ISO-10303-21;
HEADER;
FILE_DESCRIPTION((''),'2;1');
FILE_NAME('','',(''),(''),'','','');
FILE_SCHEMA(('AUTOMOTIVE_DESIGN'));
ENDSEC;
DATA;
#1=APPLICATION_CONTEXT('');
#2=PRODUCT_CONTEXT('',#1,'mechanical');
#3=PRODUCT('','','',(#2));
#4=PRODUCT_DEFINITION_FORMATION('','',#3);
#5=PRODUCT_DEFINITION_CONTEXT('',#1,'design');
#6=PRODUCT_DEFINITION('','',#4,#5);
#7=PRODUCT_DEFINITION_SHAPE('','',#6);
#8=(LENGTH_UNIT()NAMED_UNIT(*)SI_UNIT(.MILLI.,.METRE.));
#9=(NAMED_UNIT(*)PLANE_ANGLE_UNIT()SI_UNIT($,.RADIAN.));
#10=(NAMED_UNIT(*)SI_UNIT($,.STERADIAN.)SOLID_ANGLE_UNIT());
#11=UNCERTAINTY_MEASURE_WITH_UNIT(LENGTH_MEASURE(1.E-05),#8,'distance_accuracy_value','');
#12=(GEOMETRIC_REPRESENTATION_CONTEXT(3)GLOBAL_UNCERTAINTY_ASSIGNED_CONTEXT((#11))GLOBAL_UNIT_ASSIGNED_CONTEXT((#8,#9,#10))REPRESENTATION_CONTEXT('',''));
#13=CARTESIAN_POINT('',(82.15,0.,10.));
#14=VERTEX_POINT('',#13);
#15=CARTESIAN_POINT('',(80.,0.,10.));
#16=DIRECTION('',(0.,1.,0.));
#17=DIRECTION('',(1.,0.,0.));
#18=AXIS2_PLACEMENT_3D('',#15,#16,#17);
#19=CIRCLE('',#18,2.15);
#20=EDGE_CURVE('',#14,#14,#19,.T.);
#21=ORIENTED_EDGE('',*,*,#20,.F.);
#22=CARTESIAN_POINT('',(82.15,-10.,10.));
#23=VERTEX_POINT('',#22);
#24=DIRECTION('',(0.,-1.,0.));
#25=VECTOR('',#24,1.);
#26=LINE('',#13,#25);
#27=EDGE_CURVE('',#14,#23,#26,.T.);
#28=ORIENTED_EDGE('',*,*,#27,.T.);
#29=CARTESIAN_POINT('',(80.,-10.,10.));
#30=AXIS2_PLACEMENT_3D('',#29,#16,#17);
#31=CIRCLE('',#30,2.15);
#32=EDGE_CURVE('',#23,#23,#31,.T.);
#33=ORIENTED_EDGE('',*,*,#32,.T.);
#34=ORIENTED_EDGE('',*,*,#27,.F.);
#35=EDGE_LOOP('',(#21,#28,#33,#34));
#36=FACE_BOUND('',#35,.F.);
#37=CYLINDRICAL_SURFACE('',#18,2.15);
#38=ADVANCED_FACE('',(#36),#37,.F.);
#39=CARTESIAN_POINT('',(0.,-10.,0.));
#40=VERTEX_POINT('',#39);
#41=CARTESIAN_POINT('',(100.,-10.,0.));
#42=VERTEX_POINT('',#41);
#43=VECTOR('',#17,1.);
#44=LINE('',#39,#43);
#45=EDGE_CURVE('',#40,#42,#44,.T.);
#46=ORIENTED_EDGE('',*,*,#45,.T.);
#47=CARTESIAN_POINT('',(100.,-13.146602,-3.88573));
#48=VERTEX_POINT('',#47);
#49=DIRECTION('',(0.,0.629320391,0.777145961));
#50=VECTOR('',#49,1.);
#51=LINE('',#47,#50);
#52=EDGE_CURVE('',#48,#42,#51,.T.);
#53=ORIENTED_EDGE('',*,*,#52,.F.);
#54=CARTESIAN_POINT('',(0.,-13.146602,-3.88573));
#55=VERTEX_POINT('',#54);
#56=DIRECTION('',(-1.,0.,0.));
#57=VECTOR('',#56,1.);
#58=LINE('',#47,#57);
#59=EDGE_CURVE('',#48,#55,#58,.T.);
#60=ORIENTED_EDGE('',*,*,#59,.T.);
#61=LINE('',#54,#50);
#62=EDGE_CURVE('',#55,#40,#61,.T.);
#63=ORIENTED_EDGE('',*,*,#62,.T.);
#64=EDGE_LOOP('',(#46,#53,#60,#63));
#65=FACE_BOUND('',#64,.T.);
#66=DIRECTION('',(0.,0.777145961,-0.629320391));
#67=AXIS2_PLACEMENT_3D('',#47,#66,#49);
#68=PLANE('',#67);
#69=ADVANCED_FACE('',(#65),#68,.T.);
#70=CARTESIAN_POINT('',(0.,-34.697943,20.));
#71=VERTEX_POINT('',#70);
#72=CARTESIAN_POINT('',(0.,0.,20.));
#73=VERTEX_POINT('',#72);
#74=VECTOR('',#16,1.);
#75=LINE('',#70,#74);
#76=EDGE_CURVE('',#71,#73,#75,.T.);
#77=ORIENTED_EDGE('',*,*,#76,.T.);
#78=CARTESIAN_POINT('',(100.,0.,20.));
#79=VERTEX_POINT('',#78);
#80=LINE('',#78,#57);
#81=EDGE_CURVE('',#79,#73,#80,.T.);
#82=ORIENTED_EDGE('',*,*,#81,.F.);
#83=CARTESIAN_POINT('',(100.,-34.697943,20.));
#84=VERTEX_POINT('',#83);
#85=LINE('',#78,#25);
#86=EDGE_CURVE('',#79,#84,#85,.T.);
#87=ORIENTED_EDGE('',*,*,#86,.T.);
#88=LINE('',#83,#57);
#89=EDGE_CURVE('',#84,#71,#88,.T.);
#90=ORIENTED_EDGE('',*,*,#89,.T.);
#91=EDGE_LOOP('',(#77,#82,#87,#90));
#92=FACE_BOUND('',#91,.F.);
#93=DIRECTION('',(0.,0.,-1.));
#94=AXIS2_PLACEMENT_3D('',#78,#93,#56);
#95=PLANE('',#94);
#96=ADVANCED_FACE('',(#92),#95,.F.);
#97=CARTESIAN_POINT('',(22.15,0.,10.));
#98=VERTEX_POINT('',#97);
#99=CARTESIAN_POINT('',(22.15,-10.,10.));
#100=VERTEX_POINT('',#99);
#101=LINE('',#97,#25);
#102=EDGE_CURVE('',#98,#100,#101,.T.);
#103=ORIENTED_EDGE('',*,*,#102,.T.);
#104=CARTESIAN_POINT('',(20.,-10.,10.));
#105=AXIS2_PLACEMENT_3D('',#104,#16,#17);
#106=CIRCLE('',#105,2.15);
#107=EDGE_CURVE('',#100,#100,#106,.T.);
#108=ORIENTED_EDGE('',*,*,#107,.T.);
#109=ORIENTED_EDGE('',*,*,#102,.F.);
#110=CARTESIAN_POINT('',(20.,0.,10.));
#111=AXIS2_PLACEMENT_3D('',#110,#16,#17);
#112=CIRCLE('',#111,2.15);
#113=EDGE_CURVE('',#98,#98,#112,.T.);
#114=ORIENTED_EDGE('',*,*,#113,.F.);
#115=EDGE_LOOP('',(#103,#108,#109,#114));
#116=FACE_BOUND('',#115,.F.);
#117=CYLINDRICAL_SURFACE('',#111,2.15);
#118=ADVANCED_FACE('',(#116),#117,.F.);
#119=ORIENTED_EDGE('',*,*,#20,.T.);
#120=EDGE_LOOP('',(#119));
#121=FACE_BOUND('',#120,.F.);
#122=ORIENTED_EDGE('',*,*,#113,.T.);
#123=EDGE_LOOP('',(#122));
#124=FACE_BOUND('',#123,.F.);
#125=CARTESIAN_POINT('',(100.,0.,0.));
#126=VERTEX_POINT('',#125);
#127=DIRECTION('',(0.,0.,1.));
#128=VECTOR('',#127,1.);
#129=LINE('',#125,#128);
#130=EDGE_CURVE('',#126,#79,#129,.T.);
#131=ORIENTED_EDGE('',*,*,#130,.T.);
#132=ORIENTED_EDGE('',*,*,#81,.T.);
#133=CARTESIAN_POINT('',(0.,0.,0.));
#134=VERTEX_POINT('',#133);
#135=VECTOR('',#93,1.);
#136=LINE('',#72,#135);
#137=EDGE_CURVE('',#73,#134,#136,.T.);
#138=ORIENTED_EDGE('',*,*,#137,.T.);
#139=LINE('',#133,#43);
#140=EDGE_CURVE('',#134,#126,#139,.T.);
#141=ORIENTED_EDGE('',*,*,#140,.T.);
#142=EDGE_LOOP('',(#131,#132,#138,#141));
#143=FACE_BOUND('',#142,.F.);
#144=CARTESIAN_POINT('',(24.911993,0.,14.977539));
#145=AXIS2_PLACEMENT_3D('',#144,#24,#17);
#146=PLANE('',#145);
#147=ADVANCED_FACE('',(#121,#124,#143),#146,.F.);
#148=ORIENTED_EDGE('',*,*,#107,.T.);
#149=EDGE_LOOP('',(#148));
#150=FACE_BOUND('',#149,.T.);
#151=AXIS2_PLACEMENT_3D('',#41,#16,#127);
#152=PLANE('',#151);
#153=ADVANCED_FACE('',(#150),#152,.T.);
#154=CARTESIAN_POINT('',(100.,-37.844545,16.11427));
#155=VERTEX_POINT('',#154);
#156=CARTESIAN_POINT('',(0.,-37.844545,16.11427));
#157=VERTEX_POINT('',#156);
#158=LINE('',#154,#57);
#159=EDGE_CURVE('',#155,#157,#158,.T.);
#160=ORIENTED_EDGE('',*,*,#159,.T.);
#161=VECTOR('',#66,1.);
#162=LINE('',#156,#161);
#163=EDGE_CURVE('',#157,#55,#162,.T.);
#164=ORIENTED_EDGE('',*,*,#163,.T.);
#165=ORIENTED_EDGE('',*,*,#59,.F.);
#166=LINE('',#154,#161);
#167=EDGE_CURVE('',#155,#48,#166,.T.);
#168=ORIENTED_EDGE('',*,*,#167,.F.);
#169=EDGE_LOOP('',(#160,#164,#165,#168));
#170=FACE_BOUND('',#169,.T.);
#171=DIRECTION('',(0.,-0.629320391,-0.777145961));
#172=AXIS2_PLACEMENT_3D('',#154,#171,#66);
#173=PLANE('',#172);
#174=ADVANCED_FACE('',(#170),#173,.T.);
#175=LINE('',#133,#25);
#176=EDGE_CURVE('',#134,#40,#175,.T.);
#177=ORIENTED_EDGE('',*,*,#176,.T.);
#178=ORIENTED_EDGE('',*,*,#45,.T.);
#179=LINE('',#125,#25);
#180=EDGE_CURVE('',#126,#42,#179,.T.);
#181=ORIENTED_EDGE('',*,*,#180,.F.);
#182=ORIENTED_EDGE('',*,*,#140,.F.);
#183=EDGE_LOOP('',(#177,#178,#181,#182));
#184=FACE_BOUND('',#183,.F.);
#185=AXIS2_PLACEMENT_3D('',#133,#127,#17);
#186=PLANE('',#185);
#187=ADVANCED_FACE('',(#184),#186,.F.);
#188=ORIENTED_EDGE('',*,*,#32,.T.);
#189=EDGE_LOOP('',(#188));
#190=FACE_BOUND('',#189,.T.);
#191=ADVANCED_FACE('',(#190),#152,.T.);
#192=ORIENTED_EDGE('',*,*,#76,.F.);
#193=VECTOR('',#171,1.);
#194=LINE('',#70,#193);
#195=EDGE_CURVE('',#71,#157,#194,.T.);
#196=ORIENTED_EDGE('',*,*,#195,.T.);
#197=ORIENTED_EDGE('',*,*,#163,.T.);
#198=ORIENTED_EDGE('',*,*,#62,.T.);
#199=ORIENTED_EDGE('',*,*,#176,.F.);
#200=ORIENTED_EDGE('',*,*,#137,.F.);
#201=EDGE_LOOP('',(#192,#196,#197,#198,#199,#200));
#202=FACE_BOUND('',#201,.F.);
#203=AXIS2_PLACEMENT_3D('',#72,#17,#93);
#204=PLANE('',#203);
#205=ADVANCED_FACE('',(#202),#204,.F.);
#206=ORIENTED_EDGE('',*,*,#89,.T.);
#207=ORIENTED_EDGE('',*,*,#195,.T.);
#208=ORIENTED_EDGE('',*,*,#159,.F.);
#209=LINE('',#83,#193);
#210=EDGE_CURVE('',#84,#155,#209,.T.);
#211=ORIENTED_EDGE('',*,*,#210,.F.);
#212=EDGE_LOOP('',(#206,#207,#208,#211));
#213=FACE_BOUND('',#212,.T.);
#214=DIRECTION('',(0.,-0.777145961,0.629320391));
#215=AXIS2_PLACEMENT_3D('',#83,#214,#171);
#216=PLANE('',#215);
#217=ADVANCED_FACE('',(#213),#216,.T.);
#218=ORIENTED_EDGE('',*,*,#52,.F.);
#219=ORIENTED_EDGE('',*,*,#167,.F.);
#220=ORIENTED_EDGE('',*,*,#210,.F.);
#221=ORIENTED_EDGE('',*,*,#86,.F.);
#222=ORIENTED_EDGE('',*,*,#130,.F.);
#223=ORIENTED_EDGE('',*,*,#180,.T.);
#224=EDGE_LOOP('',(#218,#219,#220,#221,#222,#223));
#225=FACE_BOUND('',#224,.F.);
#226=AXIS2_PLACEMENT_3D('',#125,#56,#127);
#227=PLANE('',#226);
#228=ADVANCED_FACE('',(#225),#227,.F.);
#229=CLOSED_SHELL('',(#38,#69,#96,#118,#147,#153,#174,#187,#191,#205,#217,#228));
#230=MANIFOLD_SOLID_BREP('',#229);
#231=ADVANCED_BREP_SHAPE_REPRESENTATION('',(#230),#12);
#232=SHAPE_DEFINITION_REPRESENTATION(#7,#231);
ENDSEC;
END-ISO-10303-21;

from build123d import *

# Parameters (mm, degrees)
F1_DEPTH = 10
F3_DEPTH = 100


with BuildPart() as f1:
    # F0 (on Front) → F1 (new body)
    with BuildSketch(Plane.XZ):
        with BuildLine():
            Line((0, 20), (0, 10))
            Line((0, 10), (17.85, 10))
            ThreePointArc((17.85, 10), (20, 12.15), (22.15, 10))
            Line((22.15, 10), (50, 10))
            Line((50, 10), (50, 20))
            Line((50, 20), (0, 20))
        make_face()
        with BuildLine():
            Line((50, 20), (50, 10))
            Line((50, 10), (77.85, 10))
            ThreePointArc((77.85, 10), (80, 12.15), (82.15, 10))
            Line((82.15, 10), (100, 10))
            Line((100, 10), (100, 20))
            Line((100, 20), (50, 20))
        make_face()
        with BuildLine():
            Line((50, 10), (50, 0))
            Line((50, 0), (100, 0))
            Line((100, 0), (100, 10))
            Line((100, 10), (82.15, 10))
            ThreePointArc((82.15, 10), (80, 7.85), (77.85, 10))
            Line((77.85, 10), (50, 10))
        make_face()
        with BuildLine():
            Line((0, 10), (0, 0))
            Line((0, 0), (50, 0))
            Line((50, 0), (50, 10))
            Line((50, 10), (22.15, 10))
            ThreePointArc((22.15, 10), (20, 7.85), (17.85, 10))
            Line((17.85, 10), (0, 10))
        make_face()
    extrude(amount=F1_DEPTH)

    # F2 (on face) → F3 (join, through all)
    with BuildSketch(Plane.YZ.offset(100)):
        Polygon((-34.6979431307, 20), (-10, 0), (-10, 20), align=None)
        Polygon((-13.1466019552, -3.8857298073), (-10, 0), (-34.6979431307, 20), (-37.844545086, 16.1142701927), align=None)
    extrude(amount=-F3_DEPTH)


solid = f1.part
